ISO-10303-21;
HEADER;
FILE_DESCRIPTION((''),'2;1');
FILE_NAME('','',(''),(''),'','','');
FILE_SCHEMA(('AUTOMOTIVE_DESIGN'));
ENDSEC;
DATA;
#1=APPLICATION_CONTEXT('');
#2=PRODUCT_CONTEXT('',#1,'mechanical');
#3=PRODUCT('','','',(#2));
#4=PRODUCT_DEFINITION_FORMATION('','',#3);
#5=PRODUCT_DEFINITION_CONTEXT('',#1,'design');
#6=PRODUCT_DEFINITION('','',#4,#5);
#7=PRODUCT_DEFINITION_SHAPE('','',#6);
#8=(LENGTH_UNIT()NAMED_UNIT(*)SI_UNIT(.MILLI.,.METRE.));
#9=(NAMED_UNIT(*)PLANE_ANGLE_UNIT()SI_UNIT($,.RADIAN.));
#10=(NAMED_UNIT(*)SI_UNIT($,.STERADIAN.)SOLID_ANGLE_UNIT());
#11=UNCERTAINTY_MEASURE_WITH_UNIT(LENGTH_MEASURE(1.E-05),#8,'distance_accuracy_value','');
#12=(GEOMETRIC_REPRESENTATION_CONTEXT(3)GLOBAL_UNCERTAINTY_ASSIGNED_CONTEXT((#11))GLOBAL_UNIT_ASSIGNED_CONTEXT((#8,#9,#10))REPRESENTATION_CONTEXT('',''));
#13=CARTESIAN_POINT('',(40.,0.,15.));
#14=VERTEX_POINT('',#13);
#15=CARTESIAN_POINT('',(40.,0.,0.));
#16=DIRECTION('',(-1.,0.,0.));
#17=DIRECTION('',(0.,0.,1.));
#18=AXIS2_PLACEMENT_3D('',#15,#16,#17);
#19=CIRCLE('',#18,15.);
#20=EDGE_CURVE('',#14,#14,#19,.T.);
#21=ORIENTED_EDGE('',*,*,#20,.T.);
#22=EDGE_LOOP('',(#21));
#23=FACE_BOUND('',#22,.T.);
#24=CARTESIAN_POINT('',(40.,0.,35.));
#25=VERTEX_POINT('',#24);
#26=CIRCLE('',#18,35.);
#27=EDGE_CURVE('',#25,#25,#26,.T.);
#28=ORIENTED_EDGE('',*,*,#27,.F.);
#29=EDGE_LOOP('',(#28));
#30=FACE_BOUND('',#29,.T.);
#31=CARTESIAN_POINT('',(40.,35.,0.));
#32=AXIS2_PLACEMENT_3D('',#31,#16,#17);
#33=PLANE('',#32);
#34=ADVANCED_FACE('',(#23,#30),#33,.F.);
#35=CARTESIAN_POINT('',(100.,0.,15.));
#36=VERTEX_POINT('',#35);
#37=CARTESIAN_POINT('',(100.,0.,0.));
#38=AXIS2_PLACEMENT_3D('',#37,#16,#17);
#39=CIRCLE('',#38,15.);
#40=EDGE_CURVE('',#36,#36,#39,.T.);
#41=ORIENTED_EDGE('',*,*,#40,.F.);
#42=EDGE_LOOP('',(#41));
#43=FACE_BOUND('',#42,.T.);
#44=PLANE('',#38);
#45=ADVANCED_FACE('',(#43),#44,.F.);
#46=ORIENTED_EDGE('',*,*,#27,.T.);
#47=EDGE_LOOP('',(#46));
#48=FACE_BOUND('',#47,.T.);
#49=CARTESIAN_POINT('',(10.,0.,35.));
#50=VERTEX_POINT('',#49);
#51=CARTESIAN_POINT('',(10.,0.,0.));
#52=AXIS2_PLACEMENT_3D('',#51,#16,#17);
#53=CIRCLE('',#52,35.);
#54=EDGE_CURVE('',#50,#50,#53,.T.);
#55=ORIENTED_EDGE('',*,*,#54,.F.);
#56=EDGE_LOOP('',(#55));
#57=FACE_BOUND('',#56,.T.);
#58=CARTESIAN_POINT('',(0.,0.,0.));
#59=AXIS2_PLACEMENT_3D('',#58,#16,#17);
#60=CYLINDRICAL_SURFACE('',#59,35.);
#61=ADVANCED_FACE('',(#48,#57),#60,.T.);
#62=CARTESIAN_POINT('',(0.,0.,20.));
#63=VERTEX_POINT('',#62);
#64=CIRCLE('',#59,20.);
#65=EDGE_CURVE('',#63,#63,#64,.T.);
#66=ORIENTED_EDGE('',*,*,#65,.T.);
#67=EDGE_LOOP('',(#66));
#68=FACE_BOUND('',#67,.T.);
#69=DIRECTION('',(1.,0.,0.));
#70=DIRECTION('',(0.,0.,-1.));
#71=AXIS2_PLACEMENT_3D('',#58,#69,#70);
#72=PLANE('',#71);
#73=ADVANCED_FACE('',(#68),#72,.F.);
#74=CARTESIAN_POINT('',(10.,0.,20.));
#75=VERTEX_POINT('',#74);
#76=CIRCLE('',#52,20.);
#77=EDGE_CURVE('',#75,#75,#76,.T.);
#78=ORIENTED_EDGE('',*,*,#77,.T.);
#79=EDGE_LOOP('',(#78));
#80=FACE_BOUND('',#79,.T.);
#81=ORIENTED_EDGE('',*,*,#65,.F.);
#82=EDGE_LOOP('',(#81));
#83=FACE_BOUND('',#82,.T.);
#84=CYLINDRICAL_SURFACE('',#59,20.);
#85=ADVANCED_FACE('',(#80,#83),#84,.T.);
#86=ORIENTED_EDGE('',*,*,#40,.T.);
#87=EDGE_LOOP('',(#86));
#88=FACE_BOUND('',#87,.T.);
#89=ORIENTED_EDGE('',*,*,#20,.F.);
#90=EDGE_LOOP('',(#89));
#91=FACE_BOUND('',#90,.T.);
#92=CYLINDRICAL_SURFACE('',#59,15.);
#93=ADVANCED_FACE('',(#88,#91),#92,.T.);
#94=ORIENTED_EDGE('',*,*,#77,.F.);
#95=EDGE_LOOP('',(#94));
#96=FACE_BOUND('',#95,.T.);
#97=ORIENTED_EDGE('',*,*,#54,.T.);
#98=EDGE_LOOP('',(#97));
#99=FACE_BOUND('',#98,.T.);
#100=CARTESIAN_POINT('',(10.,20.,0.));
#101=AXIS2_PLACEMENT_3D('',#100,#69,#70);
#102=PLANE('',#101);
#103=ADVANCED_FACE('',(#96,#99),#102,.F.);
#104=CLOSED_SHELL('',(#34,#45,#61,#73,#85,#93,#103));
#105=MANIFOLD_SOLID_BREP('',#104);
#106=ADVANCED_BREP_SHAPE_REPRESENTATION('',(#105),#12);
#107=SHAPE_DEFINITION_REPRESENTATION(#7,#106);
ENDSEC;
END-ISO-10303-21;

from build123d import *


with BuildPart() as part:
    # Эскиз1 → Повернуть1 (revolve)
    with BuildSketch(Plane.XY, mode=Mode.PRIVATE) as revolve_1_sk:
        Polygon((0, 0), (100, 0), (100, 15), (40, 15), (40, 35), (10, 35), (10, 20), (0, 20), align=None)
    revolve(revolve_1_sk.sketch.rotate(Axis((0, 0, 0), (1, 0, 0)), 90), axis=Axis((0, 0, 0), (1, 0, 0)))


solid = part.part
